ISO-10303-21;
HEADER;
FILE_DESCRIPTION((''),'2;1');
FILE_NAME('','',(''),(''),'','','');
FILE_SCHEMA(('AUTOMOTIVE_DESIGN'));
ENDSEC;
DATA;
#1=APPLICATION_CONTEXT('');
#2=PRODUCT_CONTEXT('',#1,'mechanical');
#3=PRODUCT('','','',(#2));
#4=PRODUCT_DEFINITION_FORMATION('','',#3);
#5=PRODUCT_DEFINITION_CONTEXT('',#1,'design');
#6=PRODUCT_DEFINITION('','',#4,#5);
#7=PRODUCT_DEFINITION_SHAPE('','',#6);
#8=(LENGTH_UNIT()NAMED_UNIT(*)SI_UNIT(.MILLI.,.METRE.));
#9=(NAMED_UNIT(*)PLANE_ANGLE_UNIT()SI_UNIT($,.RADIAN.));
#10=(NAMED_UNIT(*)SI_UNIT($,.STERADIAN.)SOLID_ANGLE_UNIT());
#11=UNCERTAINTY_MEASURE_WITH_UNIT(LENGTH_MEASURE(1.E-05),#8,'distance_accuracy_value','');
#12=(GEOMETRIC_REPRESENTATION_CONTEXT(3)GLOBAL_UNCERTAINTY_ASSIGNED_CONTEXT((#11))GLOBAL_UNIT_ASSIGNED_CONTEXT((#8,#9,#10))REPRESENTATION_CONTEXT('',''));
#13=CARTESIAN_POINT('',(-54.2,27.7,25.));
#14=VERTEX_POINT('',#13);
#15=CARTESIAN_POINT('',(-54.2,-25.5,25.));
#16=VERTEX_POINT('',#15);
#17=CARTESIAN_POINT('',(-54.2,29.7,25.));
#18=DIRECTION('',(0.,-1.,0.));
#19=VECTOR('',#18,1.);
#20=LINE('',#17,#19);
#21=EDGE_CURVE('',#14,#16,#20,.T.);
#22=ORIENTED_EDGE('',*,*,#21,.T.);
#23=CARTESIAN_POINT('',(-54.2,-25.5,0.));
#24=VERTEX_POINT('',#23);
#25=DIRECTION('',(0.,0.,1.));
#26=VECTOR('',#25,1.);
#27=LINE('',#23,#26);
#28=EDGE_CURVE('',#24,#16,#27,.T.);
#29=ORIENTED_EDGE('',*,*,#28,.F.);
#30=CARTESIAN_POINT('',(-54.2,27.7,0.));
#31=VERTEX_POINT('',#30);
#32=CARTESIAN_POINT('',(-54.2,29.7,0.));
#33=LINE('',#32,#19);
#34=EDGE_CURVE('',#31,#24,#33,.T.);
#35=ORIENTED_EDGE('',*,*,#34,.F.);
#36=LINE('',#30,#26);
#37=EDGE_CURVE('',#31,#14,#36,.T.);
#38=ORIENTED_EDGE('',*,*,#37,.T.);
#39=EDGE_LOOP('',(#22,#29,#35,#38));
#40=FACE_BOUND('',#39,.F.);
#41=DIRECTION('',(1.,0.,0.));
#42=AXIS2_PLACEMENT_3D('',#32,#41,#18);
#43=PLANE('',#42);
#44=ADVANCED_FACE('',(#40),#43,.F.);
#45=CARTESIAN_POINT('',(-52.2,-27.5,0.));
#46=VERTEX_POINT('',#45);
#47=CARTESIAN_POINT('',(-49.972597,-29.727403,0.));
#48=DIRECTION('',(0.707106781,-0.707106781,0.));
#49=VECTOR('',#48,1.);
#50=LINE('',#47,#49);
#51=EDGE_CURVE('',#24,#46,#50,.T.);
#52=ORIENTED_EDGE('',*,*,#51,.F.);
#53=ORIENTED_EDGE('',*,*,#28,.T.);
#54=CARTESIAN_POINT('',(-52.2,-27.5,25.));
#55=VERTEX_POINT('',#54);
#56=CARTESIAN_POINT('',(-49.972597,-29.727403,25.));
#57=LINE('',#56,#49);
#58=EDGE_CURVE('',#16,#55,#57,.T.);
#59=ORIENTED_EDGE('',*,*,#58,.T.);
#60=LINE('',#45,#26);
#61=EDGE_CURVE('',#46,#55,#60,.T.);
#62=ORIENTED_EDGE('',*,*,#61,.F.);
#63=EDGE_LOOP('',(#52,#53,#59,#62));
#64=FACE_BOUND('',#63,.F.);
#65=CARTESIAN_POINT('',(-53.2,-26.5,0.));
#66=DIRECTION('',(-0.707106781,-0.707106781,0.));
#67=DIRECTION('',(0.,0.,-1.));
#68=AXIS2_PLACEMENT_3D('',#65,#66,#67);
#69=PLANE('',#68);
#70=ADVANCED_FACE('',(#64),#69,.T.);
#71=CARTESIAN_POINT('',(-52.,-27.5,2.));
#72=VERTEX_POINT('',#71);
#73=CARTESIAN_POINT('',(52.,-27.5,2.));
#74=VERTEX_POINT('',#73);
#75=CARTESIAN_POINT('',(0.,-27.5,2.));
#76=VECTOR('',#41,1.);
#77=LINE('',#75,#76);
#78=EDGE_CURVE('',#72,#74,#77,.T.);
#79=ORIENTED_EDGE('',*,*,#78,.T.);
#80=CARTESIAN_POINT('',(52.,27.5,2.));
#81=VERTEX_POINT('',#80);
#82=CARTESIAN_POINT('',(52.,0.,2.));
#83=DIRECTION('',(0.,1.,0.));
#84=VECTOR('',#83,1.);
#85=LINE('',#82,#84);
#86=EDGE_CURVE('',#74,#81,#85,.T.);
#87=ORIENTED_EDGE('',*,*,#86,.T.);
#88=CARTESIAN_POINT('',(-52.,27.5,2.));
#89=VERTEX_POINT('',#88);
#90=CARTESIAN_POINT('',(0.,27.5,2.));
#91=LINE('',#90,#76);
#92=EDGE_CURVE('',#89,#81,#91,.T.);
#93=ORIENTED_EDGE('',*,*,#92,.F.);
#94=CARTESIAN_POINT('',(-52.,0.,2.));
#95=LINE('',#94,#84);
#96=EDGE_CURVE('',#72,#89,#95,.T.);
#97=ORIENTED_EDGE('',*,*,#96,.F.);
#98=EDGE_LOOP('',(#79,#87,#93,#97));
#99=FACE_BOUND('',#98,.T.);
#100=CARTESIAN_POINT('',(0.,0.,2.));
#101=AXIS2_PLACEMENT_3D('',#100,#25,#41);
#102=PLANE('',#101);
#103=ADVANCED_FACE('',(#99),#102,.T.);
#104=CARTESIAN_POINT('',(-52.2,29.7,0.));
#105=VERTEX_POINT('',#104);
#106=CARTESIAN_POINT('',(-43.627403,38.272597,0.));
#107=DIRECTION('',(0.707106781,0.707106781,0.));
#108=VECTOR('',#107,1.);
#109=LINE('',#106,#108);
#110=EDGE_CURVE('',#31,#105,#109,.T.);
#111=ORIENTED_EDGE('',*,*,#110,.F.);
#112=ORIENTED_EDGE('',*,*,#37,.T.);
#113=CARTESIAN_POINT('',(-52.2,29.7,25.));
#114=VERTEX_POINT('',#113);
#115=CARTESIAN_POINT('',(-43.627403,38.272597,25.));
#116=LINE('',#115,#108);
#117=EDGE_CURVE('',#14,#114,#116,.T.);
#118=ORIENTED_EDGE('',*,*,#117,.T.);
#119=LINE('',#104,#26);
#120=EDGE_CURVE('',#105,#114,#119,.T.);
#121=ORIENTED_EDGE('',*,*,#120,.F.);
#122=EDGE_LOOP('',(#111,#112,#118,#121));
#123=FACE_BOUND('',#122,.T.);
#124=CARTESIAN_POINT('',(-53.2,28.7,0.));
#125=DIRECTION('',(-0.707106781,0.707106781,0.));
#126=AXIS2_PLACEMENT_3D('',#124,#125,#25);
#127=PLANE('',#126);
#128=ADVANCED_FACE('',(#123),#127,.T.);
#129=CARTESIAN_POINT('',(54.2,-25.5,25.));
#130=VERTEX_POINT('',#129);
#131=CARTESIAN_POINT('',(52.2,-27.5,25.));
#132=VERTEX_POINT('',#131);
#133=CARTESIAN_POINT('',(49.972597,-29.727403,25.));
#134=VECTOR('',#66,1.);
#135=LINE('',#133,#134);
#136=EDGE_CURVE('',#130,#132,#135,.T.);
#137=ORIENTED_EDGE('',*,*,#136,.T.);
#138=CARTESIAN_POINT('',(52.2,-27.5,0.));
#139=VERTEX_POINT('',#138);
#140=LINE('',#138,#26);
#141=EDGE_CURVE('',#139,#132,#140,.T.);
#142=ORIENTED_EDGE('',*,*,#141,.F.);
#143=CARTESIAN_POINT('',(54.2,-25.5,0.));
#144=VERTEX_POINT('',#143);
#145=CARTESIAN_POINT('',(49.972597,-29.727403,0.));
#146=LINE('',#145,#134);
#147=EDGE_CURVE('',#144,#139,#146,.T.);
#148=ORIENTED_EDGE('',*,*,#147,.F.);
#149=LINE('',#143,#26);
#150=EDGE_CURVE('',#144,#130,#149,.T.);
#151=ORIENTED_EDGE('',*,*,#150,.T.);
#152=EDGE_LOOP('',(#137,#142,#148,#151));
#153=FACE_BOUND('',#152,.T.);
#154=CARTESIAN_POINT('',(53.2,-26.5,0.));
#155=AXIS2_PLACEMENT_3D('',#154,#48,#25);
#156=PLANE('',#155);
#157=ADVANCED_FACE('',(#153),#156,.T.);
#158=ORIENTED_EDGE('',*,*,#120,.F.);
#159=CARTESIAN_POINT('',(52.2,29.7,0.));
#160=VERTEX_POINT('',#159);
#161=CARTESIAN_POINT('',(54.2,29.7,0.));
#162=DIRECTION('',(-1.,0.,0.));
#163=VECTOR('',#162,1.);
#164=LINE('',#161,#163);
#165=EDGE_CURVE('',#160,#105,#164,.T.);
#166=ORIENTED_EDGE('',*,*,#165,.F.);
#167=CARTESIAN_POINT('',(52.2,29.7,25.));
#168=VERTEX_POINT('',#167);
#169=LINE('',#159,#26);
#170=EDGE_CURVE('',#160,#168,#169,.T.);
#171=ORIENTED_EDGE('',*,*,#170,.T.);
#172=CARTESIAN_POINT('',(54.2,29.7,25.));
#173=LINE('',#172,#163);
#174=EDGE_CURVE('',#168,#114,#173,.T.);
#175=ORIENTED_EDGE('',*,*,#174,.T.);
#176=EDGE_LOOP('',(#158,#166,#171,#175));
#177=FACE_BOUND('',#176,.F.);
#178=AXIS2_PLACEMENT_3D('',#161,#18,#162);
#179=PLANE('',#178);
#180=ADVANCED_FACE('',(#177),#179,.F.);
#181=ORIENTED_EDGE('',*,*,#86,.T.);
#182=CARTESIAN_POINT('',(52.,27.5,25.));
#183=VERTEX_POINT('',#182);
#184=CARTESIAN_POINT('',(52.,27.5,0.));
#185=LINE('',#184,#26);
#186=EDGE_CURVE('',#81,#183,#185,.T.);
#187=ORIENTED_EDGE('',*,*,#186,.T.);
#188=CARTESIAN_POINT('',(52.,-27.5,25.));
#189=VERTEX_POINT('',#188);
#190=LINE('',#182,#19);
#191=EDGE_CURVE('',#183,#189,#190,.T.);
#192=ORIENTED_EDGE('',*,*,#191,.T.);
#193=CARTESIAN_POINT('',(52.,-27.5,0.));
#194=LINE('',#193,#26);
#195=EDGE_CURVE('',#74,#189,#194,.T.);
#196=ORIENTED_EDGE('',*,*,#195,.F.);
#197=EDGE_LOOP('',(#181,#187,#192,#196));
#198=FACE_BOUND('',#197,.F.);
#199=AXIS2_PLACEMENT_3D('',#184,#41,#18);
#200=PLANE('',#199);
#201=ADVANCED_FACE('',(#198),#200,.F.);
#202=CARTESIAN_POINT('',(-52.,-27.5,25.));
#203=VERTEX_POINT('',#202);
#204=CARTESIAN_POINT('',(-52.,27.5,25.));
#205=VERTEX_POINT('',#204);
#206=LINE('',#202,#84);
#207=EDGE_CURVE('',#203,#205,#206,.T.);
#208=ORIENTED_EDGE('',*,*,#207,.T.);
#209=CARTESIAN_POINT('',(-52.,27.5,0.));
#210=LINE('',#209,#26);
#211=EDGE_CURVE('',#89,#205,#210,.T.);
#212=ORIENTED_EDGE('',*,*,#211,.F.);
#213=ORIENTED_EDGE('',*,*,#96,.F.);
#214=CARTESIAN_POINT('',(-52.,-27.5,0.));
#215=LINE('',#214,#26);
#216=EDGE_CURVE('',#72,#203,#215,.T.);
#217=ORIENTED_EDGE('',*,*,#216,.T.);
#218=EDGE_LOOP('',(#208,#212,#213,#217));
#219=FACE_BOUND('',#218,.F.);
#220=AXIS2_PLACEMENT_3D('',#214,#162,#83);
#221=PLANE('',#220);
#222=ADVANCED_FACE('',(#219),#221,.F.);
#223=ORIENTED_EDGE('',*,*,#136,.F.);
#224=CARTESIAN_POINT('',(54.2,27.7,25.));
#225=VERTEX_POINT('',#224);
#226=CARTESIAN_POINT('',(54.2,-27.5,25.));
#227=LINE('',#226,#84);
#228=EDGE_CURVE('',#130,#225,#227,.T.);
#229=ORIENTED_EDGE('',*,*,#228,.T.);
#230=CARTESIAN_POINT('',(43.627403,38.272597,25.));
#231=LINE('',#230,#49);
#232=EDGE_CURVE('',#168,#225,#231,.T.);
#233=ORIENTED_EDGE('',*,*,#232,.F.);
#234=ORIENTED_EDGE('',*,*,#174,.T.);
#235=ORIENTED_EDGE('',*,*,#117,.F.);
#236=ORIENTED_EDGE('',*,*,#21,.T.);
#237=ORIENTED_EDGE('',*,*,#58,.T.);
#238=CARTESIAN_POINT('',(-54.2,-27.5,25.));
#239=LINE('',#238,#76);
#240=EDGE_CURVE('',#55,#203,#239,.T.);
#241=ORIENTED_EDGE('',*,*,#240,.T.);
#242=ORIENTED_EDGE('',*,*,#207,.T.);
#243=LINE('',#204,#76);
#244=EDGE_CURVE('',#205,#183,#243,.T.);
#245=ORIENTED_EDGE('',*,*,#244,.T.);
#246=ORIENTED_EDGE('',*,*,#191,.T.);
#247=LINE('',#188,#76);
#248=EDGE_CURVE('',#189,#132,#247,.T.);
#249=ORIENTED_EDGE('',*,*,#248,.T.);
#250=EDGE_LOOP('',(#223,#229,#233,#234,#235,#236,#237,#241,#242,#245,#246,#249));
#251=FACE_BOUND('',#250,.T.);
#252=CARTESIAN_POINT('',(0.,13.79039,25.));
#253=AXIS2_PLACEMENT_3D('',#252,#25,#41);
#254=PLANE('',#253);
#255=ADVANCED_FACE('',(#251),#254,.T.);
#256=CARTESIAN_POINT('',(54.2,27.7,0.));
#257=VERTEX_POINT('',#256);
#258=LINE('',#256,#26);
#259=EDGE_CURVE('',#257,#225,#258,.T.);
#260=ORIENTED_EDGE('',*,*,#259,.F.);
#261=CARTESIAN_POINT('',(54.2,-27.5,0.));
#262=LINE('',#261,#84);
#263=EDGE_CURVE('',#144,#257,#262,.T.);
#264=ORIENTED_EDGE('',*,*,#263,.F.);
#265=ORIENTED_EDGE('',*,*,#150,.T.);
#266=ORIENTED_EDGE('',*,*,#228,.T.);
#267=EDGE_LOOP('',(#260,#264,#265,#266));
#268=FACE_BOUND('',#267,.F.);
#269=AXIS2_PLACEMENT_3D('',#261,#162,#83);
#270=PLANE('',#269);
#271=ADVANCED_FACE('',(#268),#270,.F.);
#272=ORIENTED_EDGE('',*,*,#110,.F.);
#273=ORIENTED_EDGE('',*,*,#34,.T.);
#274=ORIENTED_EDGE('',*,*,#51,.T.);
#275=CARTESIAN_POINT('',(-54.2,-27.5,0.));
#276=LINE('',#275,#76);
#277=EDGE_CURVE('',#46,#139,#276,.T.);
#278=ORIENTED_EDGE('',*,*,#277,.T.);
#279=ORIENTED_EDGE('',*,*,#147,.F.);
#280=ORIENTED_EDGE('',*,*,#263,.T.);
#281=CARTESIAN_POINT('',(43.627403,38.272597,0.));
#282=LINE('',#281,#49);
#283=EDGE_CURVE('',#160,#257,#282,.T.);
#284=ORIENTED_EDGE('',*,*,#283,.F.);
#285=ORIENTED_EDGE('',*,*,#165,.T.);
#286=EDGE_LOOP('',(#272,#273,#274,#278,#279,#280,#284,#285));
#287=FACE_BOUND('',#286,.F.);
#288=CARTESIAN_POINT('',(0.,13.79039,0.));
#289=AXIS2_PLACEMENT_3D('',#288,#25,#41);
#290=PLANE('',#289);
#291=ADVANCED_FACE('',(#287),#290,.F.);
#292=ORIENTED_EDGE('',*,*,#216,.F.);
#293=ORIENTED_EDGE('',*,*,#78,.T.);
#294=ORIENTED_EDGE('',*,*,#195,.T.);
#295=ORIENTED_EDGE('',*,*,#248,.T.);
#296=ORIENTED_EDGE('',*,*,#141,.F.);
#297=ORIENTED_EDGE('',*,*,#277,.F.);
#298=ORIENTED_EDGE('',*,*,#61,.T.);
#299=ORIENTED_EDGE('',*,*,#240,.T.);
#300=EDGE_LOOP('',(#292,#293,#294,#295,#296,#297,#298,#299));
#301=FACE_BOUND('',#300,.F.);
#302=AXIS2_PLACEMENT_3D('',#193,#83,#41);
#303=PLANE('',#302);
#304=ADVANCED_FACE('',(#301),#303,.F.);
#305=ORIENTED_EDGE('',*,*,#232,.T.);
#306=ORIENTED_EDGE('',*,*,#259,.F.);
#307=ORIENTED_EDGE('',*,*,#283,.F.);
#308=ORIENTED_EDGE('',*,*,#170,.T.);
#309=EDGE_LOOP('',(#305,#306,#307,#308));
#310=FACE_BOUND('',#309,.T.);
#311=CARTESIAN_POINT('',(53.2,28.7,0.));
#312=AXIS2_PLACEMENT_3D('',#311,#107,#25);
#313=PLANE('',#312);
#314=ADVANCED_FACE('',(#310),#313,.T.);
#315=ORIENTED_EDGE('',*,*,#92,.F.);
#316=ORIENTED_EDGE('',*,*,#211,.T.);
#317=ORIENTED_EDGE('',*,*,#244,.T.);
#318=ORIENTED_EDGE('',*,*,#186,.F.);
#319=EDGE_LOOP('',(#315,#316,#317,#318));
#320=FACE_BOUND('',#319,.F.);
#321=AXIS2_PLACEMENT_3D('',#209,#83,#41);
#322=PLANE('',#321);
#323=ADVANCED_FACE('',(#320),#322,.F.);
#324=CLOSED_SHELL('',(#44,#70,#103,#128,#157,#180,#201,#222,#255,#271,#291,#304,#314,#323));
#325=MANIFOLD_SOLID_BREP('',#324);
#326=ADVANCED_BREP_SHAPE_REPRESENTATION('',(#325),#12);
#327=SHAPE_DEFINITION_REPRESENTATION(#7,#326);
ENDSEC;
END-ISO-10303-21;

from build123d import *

# Parameters (mm, degrees)
F0_W     = 104
F0_H     = 55
F1_DEPTH = 2
F2_DEPTH = 25
F3_SIZE  = 2


with BuildPart() as f1:
    # F0 (on Top) → F1 (new body)
    with BuildSketch(Plane.XY):
        Rectangle(F0_W, F0_H)
    extrude(amount=F1_DEPTH)

    # F0 (on Top) → F2 (join)
    with BuildSketch(Plane.XY):
        Polygon((52, 27.5), (52, -27.5), (54.2, -27.5), (54.2, 29.7), (-54.2, 29.7), (-54.2, -27.5), (-52, -27.5), (-52, 27.5), align=None)
    extrude(amount=F2_DEPTH)

    # F3
    f3_edges = [f1.edges().sort_by_distance(p)[0] for p in [
        (54.2, 29.7, 12.5),
        (-54.2, 29.7, 12.5),
        (-54.2, -27.5, 12.5),
        (54.2, -27.5, 12.5),
    ]]
    chamfer(f3_edges, length=F3_SIZE)


solid = f1.part
